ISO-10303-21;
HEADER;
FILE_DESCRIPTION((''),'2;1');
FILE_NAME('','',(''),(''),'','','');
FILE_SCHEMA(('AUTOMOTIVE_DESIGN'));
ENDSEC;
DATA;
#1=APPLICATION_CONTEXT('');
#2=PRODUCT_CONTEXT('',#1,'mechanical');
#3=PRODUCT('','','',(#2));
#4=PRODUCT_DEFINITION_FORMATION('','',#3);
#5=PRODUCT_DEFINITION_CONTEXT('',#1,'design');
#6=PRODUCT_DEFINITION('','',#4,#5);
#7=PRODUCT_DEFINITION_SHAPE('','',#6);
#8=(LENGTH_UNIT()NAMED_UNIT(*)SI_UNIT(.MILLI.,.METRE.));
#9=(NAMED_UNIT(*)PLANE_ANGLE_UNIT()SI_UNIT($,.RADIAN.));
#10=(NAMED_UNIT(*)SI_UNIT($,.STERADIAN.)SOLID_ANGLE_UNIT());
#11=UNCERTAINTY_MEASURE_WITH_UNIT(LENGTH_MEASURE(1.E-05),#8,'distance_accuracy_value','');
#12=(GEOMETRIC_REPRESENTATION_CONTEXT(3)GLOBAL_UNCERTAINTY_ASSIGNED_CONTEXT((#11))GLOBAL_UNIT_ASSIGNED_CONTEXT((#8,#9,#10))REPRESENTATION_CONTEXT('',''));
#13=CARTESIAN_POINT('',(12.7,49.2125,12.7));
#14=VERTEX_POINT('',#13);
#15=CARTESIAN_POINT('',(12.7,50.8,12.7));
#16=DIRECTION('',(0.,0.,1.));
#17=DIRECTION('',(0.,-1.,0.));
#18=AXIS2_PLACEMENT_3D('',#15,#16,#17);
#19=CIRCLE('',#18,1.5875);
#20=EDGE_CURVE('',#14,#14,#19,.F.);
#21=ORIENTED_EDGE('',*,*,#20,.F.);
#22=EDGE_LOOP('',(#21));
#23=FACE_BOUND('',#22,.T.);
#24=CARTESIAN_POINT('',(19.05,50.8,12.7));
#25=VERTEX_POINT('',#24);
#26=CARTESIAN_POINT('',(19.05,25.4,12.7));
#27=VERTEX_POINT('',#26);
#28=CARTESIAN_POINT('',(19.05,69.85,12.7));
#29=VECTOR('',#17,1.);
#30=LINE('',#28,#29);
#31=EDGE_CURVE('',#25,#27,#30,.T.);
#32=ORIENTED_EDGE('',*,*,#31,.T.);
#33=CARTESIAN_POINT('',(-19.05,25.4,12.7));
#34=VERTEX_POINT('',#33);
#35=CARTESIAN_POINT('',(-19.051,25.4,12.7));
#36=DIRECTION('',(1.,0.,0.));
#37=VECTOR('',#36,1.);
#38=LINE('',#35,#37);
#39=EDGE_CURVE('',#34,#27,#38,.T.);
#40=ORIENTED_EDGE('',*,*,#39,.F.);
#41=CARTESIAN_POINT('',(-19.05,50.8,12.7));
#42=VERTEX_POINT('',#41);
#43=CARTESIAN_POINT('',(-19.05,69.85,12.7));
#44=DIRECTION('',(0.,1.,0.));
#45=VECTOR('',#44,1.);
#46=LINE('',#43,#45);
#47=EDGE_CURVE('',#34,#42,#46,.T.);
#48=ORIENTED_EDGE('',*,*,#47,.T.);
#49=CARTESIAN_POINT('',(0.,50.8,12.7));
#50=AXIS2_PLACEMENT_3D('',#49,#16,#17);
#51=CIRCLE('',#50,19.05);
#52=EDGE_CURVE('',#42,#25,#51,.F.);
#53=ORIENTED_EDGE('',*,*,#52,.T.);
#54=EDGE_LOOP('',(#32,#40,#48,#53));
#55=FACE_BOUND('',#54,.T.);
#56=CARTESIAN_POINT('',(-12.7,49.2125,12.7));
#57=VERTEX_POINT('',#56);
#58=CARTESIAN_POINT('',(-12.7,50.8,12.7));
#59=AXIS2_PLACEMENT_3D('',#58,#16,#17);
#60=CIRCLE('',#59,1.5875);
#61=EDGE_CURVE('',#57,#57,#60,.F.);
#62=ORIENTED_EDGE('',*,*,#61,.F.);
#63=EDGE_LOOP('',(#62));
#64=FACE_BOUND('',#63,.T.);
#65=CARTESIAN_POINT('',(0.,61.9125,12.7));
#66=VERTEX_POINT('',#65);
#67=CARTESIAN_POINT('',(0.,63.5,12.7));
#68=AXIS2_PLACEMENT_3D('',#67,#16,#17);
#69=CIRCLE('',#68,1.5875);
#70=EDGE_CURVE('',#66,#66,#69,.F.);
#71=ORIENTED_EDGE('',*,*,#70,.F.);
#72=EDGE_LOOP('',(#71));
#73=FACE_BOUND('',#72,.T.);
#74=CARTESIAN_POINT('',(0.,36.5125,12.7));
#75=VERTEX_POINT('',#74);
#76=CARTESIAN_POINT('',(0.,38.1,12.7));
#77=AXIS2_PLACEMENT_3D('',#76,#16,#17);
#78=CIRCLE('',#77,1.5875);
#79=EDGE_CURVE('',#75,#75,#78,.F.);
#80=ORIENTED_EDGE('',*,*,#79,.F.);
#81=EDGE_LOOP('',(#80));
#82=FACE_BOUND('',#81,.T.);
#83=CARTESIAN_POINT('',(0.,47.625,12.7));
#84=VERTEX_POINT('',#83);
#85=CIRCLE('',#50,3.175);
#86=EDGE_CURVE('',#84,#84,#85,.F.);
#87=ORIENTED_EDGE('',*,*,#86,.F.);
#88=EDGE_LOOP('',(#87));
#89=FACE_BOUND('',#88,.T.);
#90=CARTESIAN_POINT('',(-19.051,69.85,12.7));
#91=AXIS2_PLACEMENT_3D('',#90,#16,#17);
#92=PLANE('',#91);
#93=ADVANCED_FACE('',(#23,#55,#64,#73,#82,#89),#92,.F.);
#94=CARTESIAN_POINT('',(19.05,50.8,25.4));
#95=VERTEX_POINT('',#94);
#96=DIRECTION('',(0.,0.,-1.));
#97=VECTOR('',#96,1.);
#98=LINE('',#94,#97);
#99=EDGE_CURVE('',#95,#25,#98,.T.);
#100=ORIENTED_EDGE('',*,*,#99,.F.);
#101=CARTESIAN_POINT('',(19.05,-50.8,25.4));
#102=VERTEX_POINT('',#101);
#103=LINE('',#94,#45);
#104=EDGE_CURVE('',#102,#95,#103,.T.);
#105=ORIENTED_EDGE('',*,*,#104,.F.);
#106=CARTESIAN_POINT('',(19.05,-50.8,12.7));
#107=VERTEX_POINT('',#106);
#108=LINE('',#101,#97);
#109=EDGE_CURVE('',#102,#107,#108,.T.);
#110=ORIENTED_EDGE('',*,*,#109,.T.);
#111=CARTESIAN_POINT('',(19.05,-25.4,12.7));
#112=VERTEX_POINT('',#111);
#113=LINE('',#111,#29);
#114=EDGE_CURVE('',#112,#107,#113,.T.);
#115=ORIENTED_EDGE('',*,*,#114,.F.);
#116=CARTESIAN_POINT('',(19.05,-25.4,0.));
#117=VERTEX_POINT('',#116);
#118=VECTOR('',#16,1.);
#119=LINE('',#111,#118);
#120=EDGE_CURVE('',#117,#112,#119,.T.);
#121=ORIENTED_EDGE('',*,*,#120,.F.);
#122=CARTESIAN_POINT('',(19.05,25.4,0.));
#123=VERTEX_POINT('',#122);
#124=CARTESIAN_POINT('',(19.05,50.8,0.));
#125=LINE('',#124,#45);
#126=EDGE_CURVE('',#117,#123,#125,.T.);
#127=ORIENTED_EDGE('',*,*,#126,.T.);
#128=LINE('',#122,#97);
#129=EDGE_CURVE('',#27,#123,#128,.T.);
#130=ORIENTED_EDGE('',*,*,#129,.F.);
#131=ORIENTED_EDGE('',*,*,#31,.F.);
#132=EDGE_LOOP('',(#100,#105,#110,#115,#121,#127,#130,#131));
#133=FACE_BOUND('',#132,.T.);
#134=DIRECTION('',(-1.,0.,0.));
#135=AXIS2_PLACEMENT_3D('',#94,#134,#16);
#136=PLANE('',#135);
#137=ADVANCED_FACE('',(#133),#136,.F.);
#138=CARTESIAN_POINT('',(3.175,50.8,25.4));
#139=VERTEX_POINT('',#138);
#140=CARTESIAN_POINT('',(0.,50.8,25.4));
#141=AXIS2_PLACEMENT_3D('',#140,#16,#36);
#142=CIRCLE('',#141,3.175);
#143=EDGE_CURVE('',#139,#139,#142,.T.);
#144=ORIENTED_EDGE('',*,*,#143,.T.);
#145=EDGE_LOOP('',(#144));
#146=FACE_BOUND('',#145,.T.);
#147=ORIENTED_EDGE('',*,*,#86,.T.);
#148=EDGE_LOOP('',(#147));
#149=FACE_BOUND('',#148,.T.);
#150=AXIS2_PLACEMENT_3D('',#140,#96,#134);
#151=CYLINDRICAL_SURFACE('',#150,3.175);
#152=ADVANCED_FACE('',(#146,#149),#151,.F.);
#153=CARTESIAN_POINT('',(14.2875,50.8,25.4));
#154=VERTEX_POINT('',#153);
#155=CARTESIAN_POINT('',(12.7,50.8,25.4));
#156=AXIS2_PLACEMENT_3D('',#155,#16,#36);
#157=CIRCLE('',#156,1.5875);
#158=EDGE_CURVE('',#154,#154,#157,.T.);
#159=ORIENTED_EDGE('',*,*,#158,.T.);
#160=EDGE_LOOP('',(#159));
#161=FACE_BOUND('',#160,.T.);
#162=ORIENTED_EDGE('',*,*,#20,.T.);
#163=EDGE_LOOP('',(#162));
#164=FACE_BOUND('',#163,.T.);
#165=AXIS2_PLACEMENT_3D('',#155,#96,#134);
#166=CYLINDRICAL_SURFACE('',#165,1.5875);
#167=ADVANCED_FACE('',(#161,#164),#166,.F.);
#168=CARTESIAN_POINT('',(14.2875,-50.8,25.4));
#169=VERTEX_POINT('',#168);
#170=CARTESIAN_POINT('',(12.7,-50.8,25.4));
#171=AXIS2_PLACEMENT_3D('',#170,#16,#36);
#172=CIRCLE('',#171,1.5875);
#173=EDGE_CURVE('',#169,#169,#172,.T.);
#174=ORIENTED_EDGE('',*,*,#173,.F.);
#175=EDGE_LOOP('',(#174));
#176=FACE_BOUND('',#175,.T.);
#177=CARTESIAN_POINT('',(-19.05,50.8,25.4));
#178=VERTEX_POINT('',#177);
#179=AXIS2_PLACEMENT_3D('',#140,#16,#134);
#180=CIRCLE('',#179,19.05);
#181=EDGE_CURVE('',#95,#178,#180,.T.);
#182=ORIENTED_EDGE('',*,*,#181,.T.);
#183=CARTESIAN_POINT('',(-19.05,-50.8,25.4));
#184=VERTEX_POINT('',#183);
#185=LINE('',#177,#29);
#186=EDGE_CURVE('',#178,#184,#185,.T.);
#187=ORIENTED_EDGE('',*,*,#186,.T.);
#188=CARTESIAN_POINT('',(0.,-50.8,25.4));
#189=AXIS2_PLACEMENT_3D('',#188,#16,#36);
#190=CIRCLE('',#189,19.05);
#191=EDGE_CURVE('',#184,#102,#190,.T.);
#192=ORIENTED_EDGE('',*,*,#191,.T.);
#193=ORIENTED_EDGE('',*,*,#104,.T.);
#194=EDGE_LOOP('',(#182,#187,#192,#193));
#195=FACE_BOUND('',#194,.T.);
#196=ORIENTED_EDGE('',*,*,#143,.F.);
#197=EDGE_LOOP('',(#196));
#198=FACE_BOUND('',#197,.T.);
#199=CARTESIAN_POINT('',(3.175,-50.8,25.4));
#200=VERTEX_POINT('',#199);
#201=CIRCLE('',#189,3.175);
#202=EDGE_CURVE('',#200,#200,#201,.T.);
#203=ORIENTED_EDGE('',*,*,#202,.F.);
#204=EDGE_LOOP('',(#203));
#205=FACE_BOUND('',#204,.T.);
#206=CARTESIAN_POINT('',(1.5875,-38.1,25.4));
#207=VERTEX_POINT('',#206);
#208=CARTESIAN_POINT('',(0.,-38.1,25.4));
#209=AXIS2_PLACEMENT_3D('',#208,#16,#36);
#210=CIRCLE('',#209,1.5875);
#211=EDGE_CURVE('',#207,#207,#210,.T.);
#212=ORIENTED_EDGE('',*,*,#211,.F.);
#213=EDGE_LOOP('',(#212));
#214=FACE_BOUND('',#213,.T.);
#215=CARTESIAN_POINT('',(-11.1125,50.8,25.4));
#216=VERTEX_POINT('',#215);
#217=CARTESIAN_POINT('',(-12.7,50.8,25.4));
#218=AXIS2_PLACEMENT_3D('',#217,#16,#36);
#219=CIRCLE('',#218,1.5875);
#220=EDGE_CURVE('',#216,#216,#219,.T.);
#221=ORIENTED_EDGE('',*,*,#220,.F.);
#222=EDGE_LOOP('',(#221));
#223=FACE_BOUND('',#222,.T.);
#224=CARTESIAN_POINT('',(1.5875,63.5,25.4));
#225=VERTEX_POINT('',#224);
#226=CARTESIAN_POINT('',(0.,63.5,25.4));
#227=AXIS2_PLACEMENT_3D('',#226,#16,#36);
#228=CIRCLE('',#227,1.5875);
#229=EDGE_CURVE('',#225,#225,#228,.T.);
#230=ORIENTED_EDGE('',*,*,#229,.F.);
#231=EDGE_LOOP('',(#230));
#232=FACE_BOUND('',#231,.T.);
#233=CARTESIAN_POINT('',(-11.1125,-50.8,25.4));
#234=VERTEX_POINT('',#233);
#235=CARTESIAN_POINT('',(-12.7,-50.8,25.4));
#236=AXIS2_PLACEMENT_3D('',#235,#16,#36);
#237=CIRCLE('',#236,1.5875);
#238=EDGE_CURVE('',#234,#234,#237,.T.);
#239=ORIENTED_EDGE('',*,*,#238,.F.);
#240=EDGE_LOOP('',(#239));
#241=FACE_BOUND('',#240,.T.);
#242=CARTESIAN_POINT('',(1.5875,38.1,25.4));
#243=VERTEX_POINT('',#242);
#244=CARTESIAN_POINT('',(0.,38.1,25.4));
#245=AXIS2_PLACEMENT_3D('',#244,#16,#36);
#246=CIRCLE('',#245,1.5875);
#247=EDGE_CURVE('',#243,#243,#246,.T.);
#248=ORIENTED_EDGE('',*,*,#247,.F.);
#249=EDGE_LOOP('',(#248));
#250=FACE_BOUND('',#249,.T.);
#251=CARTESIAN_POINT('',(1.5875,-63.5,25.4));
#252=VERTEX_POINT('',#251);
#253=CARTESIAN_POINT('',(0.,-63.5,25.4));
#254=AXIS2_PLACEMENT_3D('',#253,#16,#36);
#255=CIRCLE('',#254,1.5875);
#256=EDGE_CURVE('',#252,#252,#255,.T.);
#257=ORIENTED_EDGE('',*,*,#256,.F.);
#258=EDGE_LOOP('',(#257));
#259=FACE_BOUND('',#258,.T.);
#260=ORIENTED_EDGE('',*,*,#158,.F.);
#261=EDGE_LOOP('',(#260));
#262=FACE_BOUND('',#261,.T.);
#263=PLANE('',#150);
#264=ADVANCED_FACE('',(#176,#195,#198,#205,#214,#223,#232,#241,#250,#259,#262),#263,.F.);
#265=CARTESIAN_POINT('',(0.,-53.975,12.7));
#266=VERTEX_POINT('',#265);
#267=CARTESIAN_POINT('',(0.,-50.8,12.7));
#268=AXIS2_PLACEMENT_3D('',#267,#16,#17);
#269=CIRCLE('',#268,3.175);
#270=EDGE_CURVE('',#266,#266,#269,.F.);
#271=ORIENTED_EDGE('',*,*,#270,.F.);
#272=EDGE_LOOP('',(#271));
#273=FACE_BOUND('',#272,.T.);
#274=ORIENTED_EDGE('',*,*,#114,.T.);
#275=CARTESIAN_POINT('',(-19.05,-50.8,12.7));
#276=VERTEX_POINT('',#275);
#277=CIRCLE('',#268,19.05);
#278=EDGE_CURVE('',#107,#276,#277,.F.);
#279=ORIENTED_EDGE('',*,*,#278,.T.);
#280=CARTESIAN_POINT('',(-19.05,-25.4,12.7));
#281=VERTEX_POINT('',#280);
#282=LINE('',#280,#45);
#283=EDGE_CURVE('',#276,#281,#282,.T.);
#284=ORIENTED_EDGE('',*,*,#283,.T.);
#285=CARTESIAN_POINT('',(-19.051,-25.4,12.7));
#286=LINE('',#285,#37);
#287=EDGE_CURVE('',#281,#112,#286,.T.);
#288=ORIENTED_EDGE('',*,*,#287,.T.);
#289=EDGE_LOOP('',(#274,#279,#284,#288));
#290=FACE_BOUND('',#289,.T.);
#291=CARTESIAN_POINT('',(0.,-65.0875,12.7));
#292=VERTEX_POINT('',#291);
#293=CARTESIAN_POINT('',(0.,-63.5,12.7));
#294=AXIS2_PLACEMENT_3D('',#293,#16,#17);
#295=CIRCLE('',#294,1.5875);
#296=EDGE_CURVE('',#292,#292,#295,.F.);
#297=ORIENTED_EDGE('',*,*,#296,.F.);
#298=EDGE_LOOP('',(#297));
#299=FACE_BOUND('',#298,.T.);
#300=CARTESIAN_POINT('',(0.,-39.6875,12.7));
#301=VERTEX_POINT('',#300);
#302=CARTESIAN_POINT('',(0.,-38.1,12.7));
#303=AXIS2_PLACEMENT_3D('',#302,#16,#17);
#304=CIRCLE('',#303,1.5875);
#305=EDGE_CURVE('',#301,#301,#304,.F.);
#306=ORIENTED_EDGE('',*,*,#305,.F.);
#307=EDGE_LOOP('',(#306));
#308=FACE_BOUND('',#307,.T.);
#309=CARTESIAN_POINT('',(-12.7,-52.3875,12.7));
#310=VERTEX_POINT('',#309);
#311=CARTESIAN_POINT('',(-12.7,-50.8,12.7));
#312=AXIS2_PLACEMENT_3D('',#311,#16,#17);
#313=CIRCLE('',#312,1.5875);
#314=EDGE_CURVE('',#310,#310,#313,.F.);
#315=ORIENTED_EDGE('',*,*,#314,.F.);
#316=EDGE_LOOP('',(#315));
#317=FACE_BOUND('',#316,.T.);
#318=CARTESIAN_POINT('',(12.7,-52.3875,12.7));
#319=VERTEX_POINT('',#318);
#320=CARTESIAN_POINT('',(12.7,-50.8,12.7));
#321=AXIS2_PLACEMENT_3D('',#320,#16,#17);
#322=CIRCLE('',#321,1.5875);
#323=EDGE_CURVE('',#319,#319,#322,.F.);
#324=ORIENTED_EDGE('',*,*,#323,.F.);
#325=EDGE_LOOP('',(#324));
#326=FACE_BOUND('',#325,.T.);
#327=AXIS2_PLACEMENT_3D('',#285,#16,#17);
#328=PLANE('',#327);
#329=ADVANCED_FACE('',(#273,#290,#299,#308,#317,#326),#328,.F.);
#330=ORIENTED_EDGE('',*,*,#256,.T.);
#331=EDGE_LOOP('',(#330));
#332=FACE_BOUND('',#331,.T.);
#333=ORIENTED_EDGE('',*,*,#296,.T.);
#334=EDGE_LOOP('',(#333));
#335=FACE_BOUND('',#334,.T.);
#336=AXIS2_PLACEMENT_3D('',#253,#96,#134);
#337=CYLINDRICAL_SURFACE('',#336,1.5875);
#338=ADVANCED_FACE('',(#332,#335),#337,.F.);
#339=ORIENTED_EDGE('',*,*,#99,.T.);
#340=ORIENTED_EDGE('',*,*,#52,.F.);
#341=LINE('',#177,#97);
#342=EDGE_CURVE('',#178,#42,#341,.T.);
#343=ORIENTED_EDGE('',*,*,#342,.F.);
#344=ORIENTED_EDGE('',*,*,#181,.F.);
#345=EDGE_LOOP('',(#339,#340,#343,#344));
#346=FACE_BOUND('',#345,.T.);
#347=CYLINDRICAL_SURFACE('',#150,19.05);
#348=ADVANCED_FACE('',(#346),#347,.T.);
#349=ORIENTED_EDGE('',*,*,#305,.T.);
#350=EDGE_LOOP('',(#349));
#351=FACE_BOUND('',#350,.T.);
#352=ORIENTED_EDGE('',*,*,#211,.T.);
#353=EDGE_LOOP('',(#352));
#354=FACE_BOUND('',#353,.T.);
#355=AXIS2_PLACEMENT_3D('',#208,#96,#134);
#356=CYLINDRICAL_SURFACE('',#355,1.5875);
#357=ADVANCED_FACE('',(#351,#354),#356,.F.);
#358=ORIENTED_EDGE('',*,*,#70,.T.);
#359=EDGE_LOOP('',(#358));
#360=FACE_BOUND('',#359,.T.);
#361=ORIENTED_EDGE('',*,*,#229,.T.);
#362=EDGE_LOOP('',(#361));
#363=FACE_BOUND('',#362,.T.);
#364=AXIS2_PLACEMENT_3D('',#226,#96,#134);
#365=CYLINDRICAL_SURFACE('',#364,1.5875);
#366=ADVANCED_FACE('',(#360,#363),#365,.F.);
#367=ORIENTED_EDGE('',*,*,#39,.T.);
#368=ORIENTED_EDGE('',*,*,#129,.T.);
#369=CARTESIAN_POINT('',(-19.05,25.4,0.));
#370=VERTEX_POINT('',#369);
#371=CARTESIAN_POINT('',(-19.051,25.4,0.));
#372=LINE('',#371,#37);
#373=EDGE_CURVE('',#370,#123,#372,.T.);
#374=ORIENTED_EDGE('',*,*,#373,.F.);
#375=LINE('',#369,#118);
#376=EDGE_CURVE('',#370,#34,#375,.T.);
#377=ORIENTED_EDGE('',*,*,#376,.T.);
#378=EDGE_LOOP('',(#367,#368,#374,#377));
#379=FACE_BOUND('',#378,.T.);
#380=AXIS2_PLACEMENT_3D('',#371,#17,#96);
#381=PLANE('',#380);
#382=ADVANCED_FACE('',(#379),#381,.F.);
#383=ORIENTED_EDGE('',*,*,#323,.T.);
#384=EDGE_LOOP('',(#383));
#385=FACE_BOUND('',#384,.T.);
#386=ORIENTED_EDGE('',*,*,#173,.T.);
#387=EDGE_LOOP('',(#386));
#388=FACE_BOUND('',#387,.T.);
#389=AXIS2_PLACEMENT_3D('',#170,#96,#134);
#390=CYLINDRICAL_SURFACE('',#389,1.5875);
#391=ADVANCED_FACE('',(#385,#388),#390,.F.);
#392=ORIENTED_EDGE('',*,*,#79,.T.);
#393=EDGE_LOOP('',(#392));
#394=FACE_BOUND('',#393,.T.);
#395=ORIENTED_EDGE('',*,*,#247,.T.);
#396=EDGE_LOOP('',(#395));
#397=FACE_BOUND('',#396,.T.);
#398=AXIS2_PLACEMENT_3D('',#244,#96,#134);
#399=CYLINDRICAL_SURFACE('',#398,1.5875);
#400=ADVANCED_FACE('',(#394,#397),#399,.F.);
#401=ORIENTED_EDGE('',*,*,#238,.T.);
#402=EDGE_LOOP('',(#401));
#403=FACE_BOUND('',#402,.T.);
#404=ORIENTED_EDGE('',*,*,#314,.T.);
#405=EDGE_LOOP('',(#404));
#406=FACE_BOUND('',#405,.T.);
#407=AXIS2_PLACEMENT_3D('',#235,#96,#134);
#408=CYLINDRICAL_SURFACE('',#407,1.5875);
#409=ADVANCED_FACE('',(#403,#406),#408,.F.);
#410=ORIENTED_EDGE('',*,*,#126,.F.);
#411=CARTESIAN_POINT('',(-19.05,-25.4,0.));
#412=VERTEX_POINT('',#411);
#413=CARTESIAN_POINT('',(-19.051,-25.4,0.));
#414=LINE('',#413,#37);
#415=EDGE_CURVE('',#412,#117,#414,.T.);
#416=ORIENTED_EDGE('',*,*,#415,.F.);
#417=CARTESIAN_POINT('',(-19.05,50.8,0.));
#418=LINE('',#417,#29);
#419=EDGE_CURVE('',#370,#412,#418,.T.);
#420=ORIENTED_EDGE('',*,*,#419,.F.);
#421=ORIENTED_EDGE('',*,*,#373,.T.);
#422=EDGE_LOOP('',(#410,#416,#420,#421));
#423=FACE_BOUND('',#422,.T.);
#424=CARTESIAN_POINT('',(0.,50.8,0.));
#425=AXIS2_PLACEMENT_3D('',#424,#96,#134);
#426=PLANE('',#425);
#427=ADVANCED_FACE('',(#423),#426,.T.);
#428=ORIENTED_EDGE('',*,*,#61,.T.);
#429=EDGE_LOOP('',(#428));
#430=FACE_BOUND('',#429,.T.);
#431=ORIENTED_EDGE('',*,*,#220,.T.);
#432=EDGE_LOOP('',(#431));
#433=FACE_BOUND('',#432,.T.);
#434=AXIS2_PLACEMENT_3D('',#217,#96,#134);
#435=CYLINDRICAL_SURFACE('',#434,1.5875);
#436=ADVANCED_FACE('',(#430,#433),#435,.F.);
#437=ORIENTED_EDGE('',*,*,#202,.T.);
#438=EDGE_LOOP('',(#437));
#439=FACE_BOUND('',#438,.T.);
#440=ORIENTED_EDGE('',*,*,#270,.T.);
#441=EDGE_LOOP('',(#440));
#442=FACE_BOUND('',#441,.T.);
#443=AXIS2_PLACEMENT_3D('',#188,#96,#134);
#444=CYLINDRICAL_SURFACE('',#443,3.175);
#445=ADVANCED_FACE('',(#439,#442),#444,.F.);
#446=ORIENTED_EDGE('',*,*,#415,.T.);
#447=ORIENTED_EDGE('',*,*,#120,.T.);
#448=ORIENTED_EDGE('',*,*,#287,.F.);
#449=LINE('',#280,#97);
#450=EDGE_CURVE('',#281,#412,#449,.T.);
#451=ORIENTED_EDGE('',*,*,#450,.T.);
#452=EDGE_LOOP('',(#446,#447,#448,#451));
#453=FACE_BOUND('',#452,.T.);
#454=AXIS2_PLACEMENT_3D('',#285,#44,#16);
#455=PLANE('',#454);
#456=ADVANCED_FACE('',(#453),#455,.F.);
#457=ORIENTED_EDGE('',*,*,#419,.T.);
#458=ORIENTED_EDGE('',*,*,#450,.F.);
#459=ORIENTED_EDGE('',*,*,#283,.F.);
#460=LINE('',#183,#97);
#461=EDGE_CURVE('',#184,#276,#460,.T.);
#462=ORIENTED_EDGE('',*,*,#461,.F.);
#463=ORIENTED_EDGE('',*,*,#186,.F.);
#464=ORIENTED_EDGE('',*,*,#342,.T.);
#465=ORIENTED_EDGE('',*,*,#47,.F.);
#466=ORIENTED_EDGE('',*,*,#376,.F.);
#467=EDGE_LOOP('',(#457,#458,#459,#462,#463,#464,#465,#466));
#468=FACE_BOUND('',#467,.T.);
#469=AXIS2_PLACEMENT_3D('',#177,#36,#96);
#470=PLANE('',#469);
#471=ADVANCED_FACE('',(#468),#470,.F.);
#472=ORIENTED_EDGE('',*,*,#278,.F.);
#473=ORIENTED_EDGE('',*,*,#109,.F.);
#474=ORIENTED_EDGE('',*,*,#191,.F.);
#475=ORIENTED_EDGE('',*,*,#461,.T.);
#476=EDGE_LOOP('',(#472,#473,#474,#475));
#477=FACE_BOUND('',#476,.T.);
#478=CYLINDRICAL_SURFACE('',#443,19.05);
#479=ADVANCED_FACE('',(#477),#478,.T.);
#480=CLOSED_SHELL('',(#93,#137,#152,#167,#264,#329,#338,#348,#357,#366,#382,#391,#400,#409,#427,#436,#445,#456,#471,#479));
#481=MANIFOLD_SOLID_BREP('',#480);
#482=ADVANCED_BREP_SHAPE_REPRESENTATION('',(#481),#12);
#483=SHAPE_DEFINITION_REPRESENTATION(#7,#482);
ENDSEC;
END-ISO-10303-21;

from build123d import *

# Parameters (mm, degrees)
SKETCH1_R           = 3.175
SKETCH1_R_2         = 1.5875
BOSS_EXTRUDE1_DEPTH = 25.4
CUT_EXTRUDE1_REACH  = 40.1
SKETCH2_W           = 12.7
SKETCH2_H           = 44.45


with BuildPart() as part:
    # Sketch1 → Boss-Extrude1 (new body)
    with BuildSketch(Plane.XY):
        with BuildLine():
            Line((-19.05, 50.8), (-19.05, -50.8))
            ThreePointArc((-19.05, -50.8), (0, -69.85), (19.05, -50.8))
            Line((19.05, -50.8), (19.05, 50.8))
            ThreePointArc((19.05, 50.8), (0, 69.85), (-19.05, 50.8))
        make_face()
        with Locations((0, 50.8)):
            Circle(SKETCH1_R, mode=Mode.SUBTRACT)
        with Locations((0, -50.8)):
            Circle(SKETCH1_R, mode=Mode.SUBTRACT)
        with Locations((0, 63.5)):
            Circle(SKETCH1_R_2, mode=Mode.SUBTRACT)
        with Locations((-12.7, 50.8)):
            Circle(SKETCH1_R_2, mode=Mode.SUBTRACT)
        with Locations((0, 38.1)):
            Circle(SKETCH1_R_2, mode=Mode.SUBTRACT)
        with Locations((12.7, 50.8)):
            Circle(SKETCH1_R_2, mode=Mode.SUBTRACT)
        with Locations((-12.7, -50.8)):
            Circle(SKETCH1_R_2, mode=Mode.SUBTRACT)
        with Locations((0, -38.1)):
            Circle(SKETCH1_R_2, mode=Mode.SUBTRACT)
        with Locations((12.7, -50.8)):
            Circle(SKETCH1_R_2, mode=Mode.SUBTRACT)
        with Locations((0, -63.5)):
            Circle(SKETCH1_R_2, mode=Mode.SUBTRACT)
    extrude(amount=BOSS_EXTRUDE1_DEPTH)

    # Sketch2 → Cut-Extrude1 (cut, up to next)
    with BuildSketch(Plane(origin=(19.05, 0, 0), x_dir=(0, 0, -1), z_dir=(1, 0, 0)), mode=Mode.PRIVATE) as cut_extrude1_sk1:
        with Locations((-6.35, 47.625)):
            Rectangle(SKETCH2_W, SKETCH2_H)
    cut_extrude1_tool1 = extrude(cut_extrude1_sk1.sketch, amount=-CUT_EXTRUDE1_REACH, mode=Mode.PRIVATE) & part.part
    add(cut_extrude1_tool1.solids().sort_by_distance((19.05, 47.625, 6.35))[0], mode=Mode.SUBTRACT)
    # Sketch2 → Cut-Extrude1 (cut, up to next)
    with BuildSketch(Plane(origin=(19.05, 0, 0), x_dir=(0, 0, -1), z_dir=(1, 0, 0)), mode=Mode.PRIVATE) as cut_extrude1_sk2:
        with Locations((-6.35, -47.625)):
            Rectangle(SKETCH2_W, SKETCH2_H)
    cut_extrude1_tool2 = extrude(cut_extrude1_sk2.sketch, amount=-CUT_EXTRUDE1_REACH, mode=Mode.PRIVATE) & part.part
    add(cut_extrude1_tool2.solids().sort_by_distance((19.05, -47.625, 6.35))[0], mode=Mode.SUBTRACT)


solid = part.part
